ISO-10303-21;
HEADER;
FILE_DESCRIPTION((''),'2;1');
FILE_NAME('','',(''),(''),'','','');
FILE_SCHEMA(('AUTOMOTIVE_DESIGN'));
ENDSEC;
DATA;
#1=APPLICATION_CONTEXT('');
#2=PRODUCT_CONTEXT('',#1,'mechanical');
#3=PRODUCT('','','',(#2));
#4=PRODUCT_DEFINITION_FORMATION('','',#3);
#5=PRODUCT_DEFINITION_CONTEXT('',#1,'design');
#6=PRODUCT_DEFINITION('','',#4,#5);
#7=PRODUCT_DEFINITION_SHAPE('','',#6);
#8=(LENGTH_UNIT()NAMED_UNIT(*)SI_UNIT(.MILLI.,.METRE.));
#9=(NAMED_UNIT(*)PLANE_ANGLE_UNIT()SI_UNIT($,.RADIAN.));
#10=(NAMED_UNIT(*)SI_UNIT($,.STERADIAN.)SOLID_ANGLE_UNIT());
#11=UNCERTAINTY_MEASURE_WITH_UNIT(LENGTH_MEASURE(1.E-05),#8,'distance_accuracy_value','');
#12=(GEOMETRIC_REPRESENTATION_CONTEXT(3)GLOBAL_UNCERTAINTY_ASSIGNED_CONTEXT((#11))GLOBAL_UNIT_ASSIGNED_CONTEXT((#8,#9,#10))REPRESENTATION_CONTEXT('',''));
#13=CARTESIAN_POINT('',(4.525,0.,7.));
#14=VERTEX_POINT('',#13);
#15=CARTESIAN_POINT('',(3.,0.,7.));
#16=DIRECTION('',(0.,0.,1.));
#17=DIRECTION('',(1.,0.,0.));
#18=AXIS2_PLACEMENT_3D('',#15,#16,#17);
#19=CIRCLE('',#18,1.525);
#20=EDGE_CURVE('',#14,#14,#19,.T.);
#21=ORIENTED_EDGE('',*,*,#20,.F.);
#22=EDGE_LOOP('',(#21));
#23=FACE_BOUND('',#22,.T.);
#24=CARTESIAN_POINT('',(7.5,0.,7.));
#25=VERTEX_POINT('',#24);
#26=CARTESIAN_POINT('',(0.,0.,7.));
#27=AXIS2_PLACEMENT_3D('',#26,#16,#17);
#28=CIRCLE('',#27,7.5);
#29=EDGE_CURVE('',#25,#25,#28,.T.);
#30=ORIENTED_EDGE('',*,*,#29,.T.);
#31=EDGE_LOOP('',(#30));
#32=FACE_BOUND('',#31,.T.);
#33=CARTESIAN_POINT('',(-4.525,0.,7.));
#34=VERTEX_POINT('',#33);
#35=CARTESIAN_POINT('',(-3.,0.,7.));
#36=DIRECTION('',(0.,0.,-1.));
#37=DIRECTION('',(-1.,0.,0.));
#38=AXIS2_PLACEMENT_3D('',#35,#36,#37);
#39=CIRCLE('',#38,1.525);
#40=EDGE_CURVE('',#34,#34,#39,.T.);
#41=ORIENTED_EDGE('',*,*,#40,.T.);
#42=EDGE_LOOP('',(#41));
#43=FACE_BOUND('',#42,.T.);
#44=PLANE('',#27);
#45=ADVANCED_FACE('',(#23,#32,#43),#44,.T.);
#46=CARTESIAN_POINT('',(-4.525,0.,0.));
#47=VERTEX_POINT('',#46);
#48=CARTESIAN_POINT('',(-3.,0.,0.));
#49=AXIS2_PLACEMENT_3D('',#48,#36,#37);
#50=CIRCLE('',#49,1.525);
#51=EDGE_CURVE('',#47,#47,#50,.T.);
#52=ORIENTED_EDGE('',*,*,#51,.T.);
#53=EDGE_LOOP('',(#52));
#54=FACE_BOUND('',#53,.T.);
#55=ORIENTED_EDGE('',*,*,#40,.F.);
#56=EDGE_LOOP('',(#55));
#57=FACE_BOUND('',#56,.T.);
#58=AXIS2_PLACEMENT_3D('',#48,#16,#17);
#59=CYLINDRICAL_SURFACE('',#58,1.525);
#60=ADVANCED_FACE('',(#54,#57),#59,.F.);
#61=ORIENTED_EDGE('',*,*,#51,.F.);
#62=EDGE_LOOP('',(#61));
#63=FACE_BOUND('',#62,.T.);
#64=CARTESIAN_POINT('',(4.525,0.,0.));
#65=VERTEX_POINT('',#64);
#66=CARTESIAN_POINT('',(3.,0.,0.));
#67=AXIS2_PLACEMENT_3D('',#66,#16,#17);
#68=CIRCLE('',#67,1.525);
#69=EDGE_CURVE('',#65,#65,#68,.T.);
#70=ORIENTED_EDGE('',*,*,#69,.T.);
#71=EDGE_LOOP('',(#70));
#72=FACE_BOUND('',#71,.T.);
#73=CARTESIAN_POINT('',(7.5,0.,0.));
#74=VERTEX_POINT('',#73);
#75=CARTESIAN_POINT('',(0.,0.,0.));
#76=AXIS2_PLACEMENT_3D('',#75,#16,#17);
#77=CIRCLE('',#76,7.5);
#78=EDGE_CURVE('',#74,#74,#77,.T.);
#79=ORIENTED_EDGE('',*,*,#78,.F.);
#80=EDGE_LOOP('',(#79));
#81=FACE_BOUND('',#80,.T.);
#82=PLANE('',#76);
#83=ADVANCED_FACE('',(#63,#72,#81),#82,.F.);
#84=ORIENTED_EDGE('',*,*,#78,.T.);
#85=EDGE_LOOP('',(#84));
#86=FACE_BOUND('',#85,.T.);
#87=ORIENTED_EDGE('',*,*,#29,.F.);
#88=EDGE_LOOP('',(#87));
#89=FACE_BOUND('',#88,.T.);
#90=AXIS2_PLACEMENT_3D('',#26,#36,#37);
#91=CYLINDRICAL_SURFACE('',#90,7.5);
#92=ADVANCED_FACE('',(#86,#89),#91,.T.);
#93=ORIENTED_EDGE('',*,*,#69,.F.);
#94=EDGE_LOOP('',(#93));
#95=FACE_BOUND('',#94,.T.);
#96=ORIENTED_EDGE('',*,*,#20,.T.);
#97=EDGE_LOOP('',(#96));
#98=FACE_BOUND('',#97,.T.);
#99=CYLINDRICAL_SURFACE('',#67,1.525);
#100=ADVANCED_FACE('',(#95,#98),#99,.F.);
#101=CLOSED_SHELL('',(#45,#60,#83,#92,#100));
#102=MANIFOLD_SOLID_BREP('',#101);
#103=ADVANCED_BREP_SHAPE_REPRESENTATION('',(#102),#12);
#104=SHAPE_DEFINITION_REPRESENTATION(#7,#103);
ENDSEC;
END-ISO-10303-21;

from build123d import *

# Parameters (mm, degrees)
SKETCH1_R           = 7.5
BOSS_EXTRUDE1_DEPTH = 7
SKETCH2_R           = 1.525
CUT_EXTRUDE1_DEPTH  = 13.708265027


with BuildPart() as part:
    # Sketch1 → Boss-Extrude1 (new body)
    with BuildSketch(Plane.XY):
        Circle(SKETCH1_R)
    extrude(amount=BOSS_EXTRUDE1_DEPTH)

    # Sketch2 → Cut-Extrude1 (cut, through all)
    with BuildSketch(Plane.XY.offset(7)):
        with Locations((3, 0)):
            Circle(SKETCH2_R)
        with Locations(Location((-3, 0, 0), (0, 0, 180))):
            Circle(SKETCH2_R)
    extrude(amount=-CUT_EXTRUDE1_DEPTH, mode=Mode.SUBTRACT)


solid = part.part
